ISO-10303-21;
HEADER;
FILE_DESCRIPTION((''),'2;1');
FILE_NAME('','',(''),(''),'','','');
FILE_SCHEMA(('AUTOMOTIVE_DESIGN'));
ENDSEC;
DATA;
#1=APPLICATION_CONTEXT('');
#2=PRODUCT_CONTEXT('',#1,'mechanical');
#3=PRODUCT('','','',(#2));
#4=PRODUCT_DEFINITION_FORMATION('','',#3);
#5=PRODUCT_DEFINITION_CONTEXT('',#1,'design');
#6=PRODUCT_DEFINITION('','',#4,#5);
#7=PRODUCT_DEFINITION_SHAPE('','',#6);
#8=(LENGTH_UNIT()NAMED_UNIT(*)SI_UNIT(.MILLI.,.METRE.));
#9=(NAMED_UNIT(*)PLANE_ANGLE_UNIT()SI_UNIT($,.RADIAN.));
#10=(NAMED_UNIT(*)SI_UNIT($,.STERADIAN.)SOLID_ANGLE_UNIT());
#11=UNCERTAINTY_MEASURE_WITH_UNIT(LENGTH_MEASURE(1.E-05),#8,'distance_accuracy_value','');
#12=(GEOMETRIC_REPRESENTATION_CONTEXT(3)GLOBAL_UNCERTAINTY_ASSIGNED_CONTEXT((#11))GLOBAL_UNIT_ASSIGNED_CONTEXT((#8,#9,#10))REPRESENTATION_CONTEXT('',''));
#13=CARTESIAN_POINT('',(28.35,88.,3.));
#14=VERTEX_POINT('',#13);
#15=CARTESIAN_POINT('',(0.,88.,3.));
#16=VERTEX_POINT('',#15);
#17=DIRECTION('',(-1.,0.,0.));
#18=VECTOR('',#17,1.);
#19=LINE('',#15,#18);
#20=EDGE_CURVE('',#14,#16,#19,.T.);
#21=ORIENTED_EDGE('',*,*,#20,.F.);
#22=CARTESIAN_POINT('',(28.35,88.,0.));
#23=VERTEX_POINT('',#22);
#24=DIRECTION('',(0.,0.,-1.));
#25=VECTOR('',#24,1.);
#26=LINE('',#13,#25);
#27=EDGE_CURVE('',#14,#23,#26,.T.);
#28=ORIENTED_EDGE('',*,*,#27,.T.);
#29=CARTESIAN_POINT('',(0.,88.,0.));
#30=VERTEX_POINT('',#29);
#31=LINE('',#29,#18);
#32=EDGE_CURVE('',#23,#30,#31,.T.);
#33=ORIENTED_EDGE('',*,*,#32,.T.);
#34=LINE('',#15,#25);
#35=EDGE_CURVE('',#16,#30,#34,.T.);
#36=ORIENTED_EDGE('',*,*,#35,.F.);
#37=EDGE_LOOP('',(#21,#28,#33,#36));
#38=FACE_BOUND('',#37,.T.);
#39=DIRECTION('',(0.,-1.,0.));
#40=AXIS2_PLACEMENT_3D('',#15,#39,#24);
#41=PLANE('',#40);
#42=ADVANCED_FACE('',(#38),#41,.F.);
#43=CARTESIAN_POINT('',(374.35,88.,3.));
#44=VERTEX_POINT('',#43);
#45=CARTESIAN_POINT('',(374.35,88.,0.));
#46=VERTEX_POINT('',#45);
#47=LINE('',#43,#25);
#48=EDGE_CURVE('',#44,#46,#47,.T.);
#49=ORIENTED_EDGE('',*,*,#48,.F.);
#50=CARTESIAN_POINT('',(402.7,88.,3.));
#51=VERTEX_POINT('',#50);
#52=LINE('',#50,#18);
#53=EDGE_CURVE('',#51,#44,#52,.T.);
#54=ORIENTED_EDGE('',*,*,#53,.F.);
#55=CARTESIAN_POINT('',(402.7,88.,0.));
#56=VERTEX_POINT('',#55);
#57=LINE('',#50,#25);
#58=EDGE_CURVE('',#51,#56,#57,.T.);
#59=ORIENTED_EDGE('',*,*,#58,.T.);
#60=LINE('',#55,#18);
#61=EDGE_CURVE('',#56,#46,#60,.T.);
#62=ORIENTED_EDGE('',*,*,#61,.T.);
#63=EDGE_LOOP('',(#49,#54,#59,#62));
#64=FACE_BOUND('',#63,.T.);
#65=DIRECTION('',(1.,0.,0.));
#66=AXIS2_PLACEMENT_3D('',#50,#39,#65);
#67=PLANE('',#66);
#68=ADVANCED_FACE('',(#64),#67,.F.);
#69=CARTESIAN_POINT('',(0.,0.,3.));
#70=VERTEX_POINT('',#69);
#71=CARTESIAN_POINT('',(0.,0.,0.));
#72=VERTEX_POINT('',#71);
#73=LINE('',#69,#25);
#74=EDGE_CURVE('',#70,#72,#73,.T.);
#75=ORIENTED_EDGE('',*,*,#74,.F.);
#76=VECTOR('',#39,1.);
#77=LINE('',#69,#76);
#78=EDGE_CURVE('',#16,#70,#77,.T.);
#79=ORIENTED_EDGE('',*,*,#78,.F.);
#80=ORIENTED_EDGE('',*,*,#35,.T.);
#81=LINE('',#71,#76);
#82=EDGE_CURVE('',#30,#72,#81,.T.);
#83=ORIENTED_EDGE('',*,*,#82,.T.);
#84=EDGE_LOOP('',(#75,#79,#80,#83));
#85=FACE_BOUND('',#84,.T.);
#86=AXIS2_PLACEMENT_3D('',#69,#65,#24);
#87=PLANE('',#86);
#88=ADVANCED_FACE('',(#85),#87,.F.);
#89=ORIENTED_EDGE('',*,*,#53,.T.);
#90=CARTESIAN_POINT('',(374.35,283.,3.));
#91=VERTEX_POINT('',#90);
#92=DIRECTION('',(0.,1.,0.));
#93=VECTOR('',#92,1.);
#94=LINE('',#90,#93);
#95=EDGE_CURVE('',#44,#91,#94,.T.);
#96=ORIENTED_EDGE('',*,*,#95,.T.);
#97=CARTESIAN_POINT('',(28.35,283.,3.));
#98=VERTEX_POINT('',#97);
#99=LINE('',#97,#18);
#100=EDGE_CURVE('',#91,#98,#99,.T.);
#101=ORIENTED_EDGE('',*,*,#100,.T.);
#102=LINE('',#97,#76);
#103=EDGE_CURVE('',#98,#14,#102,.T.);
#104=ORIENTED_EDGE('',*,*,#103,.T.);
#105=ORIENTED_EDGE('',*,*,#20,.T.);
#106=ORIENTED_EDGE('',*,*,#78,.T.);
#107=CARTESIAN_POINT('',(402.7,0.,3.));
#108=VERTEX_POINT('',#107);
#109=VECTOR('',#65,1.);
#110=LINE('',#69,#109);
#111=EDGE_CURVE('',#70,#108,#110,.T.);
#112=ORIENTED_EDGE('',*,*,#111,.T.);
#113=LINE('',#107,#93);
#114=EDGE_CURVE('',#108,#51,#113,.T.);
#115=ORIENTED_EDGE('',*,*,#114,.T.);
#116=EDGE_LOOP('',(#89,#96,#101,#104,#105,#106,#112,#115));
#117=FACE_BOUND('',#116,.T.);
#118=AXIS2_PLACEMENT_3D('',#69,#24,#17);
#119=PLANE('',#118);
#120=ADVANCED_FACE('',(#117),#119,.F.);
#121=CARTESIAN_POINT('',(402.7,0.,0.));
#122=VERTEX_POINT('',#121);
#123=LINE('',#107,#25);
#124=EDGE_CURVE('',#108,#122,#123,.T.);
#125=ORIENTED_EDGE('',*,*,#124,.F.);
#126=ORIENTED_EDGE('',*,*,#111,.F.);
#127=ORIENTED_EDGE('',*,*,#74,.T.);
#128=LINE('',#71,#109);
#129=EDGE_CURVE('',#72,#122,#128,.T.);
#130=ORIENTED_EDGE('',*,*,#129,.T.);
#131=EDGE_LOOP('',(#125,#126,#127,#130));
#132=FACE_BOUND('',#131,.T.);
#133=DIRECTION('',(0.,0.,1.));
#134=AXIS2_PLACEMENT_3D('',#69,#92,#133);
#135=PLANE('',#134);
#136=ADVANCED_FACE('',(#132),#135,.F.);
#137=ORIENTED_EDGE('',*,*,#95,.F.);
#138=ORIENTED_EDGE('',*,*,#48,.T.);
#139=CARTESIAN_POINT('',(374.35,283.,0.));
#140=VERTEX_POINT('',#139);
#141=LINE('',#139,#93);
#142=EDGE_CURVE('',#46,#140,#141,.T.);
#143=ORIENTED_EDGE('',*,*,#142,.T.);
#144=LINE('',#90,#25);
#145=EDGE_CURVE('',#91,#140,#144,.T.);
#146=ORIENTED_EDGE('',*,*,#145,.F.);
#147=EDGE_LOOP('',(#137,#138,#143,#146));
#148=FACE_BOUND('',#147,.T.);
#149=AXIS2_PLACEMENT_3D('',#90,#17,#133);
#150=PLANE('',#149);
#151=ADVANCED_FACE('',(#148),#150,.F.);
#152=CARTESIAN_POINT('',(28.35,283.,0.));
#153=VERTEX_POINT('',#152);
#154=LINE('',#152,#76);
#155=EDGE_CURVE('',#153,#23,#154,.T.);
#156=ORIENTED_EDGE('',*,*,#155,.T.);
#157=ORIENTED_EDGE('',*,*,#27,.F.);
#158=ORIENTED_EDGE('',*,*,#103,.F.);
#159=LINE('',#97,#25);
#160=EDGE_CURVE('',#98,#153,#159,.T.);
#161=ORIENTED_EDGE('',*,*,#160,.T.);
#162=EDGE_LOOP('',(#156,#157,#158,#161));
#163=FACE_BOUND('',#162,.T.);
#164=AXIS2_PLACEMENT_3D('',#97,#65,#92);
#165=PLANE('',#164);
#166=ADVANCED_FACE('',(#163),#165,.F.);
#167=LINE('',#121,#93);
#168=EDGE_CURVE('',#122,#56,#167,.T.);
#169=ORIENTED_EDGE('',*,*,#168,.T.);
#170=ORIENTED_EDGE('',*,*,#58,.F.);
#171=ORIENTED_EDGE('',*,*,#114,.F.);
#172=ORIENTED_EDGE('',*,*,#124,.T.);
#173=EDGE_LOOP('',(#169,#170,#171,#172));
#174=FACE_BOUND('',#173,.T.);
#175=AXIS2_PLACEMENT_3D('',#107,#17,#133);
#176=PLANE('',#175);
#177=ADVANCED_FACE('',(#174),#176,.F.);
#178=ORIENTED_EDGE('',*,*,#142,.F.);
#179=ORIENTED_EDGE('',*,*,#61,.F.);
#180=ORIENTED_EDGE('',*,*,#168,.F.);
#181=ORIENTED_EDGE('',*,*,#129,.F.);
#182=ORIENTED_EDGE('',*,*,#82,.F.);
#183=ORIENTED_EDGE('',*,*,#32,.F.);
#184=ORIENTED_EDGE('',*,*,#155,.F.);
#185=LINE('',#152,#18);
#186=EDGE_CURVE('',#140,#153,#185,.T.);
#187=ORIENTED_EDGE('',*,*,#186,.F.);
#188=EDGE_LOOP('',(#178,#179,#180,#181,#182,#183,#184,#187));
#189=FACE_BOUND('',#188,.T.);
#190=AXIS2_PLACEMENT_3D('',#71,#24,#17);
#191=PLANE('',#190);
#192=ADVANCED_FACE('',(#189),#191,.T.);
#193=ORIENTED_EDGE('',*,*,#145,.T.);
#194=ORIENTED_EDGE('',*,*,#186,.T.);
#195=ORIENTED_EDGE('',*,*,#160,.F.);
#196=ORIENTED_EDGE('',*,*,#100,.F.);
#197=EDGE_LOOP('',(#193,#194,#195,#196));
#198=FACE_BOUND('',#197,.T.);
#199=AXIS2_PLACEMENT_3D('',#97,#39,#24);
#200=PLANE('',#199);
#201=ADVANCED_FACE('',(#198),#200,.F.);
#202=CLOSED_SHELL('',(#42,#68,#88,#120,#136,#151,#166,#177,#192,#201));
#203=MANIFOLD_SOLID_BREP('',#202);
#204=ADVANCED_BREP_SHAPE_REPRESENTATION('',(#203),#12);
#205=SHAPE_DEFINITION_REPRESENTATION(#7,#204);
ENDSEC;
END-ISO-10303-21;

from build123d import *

# Parameters (mm, degrees)
BOSS_EXTRUDE1_DEPTH = 3


with BuildPart() as part:
    # Sketch1 → Boss-Extrude1 (new body)
    with BuildSketch(Plane.XY):
        Polygon((0, 0), (402.7, 0), (402.7, 88), (374.35, 88), (374.35, 283), (28.35, 283), (28.35, 88), (0, 88), align=None)
    extrude(amount=BOSS_EXTRUDE1_DEPTH)


solid = part.part
